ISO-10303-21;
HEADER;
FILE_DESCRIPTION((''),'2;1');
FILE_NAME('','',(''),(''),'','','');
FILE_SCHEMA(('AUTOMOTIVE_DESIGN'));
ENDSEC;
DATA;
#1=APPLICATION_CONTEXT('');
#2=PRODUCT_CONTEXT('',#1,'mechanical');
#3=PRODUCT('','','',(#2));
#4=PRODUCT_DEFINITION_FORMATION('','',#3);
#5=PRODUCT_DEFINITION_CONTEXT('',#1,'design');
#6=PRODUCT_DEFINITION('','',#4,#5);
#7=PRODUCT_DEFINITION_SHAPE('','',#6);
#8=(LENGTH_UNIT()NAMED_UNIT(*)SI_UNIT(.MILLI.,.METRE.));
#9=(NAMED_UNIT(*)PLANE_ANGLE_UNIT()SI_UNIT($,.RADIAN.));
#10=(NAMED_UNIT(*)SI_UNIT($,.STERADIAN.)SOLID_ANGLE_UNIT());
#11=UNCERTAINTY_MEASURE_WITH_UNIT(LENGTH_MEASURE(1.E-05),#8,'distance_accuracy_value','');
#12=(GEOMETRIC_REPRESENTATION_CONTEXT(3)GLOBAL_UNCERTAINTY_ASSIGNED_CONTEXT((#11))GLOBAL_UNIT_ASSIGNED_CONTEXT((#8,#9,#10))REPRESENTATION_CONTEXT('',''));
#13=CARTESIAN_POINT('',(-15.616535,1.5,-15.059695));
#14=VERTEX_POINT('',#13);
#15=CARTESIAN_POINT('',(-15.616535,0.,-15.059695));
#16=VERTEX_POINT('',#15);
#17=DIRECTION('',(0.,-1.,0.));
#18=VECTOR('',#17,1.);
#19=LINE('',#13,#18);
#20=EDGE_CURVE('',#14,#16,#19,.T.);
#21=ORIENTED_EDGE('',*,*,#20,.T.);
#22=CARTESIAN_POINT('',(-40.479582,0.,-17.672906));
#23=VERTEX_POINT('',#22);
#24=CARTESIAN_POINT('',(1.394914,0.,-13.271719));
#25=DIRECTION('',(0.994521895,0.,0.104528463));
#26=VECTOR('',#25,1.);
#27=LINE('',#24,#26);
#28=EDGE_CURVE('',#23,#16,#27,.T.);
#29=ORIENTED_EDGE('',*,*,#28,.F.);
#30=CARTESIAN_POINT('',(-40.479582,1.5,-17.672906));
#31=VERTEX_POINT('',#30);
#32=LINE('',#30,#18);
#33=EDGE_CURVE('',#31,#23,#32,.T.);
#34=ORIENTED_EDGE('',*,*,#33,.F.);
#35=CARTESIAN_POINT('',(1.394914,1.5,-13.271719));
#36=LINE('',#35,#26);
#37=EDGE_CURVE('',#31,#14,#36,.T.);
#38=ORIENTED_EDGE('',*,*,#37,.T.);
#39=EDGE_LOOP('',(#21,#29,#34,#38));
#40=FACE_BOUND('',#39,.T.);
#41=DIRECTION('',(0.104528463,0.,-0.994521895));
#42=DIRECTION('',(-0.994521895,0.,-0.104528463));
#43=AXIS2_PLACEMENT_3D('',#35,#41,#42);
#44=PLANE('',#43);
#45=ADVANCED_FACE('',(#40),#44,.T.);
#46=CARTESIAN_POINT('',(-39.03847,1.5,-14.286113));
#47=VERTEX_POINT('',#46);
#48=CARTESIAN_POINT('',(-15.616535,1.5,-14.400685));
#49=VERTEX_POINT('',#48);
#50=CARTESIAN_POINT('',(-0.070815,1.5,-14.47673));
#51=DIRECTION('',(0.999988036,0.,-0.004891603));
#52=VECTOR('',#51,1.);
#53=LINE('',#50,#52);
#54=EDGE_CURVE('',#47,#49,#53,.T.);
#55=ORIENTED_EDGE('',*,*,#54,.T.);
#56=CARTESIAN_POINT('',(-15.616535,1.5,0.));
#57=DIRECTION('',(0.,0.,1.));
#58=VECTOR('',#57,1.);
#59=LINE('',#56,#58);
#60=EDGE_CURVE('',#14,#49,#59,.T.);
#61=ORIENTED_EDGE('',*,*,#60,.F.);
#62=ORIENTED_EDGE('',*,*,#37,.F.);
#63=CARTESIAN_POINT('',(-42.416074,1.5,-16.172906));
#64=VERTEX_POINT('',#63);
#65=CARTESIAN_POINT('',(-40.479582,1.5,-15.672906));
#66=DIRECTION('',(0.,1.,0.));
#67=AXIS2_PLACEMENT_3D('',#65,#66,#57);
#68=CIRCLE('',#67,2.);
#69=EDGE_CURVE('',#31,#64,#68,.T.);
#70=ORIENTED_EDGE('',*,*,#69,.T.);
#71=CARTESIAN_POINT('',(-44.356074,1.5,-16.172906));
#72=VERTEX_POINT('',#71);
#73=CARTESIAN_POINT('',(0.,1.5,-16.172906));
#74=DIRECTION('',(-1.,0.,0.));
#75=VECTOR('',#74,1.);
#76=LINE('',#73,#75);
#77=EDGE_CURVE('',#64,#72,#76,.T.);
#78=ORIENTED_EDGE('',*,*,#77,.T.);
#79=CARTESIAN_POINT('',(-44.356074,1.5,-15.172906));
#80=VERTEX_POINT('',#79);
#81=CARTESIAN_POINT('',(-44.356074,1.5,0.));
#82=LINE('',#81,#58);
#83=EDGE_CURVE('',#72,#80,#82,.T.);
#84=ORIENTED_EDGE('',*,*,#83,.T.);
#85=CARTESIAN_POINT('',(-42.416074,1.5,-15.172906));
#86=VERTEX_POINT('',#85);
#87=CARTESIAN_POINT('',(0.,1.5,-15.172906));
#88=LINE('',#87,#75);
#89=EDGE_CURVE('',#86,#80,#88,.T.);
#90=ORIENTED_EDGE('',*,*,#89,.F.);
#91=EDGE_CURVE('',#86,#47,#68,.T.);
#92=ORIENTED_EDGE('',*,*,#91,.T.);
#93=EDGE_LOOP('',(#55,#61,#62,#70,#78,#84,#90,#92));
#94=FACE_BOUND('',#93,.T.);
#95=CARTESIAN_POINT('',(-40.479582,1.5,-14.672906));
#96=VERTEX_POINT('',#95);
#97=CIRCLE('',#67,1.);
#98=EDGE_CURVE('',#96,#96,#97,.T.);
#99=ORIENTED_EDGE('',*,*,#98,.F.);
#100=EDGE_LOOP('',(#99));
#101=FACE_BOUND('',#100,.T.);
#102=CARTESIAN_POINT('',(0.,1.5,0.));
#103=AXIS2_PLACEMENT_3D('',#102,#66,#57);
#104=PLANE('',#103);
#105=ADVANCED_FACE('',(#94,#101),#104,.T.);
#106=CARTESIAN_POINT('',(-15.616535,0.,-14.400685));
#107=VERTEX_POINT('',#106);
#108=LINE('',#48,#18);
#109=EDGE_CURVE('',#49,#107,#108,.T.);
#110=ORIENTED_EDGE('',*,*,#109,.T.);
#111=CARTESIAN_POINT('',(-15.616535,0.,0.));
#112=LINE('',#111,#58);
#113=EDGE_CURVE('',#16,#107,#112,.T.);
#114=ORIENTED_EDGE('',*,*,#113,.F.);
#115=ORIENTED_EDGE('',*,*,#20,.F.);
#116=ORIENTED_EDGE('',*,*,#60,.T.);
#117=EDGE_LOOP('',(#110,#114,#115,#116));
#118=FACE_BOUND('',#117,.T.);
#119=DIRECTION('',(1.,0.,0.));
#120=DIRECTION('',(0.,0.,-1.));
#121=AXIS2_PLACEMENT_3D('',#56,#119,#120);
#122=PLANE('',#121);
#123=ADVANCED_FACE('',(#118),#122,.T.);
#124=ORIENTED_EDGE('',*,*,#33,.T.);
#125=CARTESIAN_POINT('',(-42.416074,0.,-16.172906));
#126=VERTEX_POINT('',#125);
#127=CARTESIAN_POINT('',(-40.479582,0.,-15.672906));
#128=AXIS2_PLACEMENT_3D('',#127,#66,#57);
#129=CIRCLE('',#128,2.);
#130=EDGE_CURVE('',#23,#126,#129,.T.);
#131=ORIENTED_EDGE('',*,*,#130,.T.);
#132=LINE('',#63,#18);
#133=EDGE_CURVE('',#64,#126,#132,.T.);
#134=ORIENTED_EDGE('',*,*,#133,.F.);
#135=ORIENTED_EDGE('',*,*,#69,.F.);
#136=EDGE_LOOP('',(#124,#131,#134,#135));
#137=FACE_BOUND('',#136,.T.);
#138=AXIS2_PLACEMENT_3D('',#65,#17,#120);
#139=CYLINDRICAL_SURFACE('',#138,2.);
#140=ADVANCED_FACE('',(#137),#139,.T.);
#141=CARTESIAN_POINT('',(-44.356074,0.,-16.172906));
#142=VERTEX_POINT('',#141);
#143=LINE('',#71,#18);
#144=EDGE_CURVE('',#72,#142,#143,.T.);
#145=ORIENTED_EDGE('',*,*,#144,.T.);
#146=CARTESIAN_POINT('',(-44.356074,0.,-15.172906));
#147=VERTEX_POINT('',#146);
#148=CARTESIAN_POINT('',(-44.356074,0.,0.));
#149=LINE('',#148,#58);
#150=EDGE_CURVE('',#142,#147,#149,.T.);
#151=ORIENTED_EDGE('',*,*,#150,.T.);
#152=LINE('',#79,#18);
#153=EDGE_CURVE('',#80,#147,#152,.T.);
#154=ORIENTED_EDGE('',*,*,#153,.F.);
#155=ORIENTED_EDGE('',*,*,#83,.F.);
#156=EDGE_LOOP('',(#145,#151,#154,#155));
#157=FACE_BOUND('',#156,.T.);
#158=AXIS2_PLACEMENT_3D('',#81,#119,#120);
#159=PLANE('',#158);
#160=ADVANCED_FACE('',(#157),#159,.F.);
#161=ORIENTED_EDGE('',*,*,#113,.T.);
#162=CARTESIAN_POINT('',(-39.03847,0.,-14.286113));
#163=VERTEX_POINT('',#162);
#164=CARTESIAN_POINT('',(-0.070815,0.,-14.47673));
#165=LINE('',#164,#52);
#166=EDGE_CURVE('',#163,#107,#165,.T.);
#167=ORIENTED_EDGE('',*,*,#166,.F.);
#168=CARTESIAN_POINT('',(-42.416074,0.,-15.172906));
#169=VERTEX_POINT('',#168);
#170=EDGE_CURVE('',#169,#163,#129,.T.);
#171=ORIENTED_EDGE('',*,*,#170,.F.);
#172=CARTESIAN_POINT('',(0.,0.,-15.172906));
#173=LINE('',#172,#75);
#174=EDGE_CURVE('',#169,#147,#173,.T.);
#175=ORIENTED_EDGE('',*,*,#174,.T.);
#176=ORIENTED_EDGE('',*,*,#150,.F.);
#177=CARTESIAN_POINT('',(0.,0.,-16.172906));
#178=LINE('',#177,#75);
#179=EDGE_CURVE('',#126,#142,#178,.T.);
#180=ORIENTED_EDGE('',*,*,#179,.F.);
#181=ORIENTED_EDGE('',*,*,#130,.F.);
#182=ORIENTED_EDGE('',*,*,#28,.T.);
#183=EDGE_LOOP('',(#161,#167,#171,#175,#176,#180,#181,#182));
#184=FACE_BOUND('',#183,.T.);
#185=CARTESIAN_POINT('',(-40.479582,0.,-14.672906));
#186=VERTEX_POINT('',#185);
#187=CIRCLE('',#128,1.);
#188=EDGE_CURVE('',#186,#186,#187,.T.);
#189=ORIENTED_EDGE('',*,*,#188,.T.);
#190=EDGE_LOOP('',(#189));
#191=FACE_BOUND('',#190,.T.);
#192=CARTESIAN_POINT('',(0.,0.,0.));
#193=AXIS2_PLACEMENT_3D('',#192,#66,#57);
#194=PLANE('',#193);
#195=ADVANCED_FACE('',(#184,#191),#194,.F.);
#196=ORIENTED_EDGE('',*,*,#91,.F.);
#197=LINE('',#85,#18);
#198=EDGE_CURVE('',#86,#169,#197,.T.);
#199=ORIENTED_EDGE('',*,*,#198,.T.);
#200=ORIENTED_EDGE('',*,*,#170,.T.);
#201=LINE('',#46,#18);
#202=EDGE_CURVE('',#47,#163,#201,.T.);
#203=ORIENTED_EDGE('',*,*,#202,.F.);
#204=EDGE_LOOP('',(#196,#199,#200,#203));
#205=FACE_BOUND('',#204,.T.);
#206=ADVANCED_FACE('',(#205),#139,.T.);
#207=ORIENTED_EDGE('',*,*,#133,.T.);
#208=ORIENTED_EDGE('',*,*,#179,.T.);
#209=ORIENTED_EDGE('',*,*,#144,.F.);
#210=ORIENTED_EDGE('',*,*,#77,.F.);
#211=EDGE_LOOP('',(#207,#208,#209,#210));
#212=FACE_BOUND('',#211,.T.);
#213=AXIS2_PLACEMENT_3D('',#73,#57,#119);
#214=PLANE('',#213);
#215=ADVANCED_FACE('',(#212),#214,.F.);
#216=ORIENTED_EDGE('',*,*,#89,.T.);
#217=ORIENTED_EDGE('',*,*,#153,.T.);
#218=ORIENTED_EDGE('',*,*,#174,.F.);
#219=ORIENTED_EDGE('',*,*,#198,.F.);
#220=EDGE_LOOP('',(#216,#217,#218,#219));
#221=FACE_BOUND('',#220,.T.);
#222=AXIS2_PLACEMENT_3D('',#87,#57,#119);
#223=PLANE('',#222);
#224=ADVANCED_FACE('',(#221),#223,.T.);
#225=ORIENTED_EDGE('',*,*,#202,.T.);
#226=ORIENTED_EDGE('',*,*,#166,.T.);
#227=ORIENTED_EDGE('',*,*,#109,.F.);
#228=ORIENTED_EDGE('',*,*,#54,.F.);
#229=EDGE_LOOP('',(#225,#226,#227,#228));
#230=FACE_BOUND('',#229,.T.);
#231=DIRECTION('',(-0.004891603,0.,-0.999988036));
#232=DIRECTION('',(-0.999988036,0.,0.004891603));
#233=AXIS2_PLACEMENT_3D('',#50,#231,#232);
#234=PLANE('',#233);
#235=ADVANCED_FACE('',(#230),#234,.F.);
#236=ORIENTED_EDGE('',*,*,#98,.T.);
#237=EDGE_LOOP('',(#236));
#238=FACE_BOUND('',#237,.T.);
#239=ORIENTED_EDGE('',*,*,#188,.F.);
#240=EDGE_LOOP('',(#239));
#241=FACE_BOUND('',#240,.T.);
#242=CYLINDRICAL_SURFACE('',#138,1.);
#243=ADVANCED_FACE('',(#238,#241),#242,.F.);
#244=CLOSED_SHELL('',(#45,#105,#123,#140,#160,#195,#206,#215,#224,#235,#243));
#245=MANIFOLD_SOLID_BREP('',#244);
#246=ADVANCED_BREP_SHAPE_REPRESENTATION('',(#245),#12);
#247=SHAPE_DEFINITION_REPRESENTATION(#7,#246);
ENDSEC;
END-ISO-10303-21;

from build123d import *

# Parameters (mm, degrees)
SKETCH1_R           = 1
BOSS_EXTRUDE1_DEPTH = 1.5


with BuildPart() as part:
    # Sketch1 → Boss-Extrude1 (new body)
    # profile 1 of 3: a face of its own
    with BuildSketch(Plane(origin=(0, 0, 0), x_dir=(1, 0, 0), z_dir=(0, 1, 0))):
        with BuildLine():
            ThreePointArc((-38.479582276, 15.672906391), (-38.624558781, 14.925318383), (-39.038470107, 14.28611307))
            Line((-39.038470107, 14.28611307), (-15.616534892, 14.400685258))
            Line((-15.616534892, 14.400685258), (-15.616534892, 15.05969481))
            Line((-15.616534892, 15.05969481), (-40.063758895, 17.629201593))
            ThreePointArc((-40.063758895, 17.629201593), (-38.925290354, 16.931547173), (-38.479582276, 15.672906391))
        make_face()
    # profile 2 of 3: a face of its own
    with BuildSketch(Plane(origin=(0, 0, 0), x_dir=(1, 0, 0), z_dir=(0, 1, 0))):
        with BuildLine():
            ThreePointArc((-40.479582276, 17.672906391), (-41.704327148, 17.254045221), (-42.41607395, 16.172906391))
            ThreePointArc((-42.41607395, 16.172906391), (-42.479582276, 15.672906391), (-42.41607395, 15.172906391))
            ThreePointArc((-42.41607395, 15.172906391), (-40.987470858, 13.738468698), (-39.038470107, 14.28611307))
            ThreePointArc((-39.038470107, 14.28611307), (-38.624558781, 14.925318383), (-38.479582276, 15.672906391))
            ThreePointArc((-38.479582276, 15.672906391), (-38.925290354, 16.931547173), (-40.063758895, 17.629201593))
            Line((-40.063758895, 17.629201593), (-40.479582276, 17.672906391))
        make_face()
        with Locations(Location((-40.479582276, 15.672906391, 0), (0, 0, 270))):
            Circle(SKETCH1_R, mode=Mode.SUBTRACT)
    # profile 3 of 3: a face of its own
    with BuildSketch(Plane(origin=(0, 0, 0), x_dir=(1, 0, 0), z_dir=(0, 1, 0))):
        with BuildLine():
            Line((-42.41607395, 16.172906391), (-44.35607395, 16.172906391))
            Line((-44.35607395, 16.172906391), (-44.35607395, 15.172906391))
            Line((-44.35607395, 15.172906391), (-42.41607395, 15.172906391))
            ThreePointArc((-42.41607395, 15.172906391), (-42.479582276, 15.672906391), (-42.41607395, 16.172906391))
        make_face()
    extrude(amount=BOSS_EXTRUDE1_DEPTH)


solid = part.part
